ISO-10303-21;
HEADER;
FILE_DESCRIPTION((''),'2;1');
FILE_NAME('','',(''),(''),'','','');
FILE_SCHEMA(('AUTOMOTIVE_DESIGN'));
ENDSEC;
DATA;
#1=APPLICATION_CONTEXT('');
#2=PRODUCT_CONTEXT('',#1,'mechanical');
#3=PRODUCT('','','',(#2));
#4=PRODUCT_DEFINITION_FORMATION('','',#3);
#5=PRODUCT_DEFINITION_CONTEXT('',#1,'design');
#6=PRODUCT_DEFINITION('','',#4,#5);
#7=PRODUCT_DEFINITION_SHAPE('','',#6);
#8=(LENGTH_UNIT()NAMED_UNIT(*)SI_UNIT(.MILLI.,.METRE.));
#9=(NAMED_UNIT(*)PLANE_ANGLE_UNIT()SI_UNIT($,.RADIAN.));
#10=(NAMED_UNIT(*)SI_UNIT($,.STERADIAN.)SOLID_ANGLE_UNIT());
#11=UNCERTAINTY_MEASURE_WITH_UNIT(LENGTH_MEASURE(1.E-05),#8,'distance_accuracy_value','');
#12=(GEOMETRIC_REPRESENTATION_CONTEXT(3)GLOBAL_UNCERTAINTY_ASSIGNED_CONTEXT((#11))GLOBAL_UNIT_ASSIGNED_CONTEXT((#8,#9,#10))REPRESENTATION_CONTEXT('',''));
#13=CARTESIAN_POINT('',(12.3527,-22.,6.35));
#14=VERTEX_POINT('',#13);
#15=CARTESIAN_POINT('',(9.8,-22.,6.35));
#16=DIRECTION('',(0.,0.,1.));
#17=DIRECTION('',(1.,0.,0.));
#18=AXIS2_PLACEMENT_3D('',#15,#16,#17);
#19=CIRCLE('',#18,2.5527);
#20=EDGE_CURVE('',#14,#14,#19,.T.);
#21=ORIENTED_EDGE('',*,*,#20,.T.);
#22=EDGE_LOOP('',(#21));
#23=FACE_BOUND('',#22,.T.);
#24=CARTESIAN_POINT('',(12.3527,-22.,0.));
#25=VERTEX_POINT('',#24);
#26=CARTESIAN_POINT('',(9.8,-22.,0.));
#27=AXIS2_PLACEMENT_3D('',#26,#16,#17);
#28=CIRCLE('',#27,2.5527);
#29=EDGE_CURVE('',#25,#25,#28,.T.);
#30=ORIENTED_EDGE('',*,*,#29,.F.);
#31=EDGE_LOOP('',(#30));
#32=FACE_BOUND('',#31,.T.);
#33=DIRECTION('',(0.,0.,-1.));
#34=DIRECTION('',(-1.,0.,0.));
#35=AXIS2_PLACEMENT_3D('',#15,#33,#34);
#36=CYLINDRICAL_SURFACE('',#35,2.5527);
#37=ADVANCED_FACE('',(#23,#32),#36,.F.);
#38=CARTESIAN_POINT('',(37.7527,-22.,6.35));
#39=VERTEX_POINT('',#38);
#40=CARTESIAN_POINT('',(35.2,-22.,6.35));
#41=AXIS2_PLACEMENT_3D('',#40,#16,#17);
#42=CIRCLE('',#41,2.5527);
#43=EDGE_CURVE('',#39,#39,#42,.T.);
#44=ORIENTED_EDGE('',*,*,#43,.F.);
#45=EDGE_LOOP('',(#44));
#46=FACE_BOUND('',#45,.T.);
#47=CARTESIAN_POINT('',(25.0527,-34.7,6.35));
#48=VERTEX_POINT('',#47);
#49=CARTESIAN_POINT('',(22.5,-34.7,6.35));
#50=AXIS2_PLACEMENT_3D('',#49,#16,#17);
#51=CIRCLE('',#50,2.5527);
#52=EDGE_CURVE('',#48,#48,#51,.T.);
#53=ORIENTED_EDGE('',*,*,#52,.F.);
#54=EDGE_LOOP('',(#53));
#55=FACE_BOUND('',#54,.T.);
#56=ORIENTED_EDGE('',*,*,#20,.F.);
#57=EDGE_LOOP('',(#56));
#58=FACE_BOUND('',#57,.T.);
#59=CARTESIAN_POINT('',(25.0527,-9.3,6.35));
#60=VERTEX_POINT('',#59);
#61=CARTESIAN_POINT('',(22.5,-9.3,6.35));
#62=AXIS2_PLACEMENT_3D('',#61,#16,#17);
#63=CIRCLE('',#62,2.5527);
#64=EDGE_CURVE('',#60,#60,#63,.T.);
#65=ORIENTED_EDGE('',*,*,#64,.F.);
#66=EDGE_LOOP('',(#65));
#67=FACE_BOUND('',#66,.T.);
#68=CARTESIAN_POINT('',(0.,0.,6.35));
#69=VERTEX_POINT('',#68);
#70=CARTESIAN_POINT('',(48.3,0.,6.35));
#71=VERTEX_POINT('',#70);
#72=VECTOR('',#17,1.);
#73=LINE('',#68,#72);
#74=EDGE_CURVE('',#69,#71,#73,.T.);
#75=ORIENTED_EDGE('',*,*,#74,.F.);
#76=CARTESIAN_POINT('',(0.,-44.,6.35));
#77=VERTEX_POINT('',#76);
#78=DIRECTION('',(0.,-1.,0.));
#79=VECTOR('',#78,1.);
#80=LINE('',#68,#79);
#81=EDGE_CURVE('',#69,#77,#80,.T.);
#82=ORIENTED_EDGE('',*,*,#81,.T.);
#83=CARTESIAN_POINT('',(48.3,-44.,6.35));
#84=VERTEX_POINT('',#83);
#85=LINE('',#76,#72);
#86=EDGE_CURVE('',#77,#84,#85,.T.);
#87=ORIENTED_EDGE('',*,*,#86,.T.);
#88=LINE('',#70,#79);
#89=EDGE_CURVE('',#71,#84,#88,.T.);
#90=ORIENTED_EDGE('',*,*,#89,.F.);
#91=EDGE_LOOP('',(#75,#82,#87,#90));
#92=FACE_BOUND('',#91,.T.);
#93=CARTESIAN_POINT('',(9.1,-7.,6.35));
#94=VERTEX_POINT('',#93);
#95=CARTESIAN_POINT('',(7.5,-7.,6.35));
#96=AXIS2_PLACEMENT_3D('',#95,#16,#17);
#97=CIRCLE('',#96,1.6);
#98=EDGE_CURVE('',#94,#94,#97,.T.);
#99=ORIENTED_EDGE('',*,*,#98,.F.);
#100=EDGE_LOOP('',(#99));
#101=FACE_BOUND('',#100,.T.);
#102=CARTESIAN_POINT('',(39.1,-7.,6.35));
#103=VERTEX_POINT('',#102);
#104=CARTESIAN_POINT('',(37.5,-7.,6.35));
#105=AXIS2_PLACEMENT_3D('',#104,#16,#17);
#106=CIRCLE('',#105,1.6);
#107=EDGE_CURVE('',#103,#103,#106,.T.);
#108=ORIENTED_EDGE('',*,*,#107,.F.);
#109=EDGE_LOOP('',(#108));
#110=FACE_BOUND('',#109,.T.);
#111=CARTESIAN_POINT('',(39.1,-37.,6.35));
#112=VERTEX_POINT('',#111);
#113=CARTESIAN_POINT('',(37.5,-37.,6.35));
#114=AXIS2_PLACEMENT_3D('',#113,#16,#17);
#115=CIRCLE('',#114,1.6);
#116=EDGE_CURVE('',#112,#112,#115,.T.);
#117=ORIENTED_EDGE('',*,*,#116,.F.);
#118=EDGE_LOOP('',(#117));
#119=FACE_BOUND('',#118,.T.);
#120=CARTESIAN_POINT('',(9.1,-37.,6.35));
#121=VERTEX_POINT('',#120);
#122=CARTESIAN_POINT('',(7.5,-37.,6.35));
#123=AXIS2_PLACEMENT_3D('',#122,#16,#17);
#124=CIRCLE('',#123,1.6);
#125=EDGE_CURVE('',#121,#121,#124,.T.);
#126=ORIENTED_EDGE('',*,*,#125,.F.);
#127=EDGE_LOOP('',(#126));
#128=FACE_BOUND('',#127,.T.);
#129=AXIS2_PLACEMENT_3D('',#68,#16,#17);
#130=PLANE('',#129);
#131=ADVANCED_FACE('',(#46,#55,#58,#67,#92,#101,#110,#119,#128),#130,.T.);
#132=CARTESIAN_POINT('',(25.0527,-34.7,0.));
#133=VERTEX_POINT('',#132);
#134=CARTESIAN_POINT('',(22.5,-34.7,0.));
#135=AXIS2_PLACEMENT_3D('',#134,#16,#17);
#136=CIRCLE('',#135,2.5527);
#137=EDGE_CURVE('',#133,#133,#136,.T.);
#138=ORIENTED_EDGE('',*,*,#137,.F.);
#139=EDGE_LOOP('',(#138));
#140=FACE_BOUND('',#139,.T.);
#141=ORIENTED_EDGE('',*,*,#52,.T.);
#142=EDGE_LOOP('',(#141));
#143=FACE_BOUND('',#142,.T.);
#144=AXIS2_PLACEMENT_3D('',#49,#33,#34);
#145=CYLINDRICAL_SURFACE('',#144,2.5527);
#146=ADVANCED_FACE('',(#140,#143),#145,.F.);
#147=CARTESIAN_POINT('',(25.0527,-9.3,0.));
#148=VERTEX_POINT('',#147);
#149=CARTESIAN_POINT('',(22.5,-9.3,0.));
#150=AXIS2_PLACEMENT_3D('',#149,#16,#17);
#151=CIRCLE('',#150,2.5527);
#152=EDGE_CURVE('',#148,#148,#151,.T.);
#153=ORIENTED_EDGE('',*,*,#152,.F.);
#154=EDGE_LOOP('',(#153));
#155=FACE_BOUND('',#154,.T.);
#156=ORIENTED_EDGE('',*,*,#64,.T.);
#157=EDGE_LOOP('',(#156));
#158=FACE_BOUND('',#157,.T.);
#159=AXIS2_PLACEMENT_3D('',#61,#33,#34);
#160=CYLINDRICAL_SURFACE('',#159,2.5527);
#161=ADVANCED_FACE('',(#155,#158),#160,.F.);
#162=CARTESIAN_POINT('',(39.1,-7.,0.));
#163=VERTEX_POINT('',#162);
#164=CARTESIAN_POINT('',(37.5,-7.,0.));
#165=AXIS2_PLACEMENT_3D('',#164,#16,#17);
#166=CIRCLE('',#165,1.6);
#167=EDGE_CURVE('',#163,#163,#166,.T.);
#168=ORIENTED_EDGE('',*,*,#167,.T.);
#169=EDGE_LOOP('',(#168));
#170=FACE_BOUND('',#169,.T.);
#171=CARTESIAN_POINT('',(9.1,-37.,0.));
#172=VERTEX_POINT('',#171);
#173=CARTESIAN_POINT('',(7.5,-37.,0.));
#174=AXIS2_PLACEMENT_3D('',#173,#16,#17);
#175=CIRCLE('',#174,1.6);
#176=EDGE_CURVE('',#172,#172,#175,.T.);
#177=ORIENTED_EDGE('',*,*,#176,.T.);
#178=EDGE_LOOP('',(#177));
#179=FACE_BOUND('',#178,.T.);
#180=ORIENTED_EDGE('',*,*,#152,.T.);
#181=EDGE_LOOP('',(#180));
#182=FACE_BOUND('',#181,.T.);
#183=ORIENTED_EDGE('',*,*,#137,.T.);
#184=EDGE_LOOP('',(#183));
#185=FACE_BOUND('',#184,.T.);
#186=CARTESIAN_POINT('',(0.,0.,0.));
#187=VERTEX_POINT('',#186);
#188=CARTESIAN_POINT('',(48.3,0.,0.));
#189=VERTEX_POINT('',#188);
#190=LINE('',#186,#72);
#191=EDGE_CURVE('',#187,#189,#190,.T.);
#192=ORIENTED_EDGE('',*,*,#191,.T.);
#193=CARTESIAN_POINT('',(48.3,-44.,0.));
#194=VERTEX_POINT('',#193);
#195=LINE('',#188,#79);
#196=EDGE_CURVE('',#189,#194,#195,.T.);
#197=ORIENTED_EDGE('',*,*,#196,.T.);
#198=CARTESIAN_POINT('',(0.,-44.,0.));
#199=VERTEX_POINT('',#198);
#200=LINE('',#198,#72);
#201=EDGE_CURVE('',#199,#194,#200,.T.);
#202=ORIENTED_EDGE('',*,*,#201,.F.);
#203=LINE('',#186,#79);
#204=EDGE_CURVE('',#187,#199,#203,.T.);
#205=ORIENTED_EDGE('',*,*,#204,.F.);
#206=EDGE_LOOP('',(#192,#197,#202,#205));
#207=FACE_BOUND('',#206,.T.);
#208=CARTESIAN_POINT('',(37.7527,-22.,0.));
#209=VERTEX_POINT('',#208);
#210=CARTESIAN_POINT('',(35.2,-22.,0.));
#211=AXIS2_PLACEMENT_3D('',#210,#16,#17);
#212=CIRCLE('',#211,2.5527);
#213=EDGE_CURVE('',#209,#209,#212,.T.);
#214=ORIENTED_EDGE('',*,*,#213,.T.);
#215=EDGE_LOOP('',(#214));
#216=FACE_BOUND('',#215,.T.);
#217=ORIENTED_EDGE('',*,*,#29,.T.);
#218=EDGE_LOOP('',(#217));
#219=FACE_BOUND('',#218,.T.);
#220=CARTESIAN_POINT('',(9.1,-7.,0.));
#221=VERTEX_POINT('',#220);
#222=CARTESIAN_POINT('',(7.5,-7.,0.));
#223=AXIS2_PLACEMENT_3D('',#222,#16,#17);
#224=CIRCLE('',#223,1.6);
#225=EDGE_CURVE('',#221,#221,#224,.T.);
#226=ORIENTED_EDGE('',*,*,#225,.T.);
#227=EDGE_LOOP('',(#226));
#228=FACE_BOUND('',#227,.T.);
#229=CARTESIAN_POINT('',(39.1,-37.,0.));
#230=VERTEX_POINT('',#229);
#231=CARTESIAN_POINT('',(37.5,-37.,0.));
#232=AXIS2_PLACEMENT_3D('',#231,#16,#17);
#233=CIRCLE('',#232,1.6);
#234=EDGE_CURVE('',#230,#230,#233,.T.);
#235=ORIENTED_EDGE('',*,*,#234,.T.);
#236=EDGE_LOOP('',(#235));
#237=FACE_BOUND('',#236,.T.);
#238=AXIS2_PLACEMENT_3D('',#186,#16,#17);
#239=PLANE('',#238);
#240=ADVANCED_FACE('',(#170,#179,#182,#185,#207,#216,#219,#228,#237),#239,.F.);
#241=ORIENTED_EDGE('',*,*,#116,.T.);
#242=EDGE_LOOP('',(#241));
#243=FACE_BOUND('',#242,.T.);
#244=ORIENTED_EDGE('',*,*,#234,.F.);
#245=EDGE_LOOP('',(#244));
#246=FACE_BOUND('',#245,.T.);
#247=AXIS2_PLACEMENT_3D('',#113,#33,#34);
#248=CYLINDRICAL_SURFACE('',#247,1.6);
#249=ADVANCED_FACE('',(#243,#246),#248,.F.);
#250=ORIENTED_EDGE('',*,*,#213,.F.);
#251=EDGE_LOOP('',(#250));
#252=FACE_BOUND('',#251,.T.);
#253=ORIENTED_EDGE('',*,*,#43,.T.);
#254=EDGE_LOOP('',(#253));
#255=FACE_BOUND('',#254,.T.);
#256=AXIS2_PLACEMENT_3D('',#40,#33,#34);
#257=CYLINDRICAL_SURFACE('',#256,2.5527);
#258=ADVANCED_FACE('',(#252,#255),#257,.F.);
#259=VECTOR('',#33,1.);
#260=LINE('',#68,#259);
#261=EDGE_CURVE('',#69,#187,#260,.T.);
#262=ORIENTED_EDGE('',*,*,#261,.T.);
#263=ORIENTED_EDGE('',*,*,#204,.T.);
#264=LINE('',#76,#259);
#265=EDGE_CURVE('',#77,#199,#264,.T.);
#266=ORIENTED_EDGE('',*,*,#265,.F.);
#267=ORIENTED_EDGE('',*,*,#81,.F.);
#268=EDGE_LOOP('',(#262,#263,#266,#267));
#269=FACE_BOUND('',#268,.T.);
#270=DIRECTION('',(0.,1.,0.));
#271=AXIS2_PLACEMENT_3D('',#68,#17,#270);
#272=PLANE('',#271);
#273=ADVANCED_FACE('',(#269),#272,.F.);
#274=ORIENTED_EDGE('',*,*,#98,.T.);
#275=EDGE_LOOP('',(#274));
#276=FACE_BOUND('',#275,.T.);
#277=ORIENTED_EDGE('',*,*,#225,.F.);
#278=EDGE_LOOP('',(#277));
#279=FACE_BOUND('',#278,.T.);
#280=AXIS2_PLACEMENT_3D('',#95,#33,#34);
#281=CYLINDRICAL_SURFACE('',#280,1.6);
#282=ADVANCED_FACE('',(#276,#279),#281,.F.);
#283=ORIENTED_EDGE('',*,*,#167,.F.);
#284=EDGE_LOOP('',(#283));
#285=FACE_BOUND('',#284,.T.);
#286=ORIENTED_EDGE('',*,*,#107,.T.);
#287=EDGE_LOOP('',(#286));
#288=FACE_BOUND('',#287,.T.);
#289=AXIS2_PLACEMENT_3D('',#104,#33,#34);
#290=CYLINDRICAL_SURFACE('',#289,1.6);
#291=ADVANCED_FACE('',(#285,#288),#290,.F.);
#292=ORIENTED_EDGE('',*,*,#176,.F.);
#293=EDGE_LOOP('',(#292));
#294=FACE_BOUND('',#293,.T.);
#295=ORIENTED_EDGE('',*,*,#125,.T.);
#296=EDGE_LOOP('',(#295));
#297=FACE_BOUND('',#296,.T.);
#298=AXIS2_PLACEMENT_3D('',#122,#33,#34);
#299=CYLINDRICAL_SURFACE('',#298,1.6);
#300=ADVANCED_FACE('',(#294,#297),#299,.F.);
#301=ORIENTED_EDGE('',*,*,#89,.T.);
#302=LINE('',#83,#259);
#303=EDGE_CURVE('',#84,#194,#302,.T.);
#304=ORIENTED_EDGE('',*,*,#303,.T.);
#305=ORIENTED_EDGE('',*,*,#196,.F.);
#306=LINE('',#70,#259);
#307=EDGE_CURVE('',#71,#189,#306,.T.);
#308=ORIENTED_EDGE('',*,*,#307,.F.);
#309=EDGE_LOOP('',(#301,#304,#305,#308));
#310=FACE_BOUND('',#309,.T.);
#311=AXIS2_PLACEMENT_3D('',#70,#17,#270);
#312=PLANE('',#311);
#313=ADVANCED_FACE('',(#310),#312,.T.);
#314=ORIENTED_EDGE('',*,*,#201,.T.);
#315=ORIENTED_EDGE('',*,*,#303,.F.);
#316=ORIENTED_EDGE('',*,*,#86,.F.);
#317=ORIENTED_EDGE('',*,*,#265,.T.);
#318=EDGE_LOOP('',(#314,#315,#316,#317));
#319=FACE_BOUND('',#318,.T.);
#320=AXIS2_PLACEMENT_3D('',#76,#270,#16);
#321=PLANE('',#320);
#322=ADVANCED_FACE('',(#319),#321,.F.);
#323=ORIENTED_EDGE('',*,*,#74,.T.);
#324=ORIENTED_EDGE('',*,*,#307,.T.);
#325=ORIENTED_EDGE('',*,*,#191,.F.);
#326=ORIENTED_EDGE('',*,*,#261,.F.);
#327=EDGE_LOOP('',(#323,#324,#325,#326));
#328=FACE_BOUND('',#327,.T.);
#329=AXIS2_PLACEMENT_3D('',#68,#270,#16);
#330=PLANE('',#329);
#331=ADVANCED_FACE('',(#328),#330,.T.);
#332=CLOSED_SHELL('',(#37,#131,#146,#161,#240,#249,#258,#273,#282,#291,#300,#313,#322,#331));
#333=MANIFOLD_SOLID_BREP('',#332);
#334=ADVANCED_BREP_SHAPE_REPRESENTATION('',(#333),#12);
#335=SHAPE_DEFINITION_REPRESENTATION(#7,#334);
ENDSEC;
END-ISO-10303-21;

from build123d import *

# Parameters (mm, degrees)
SKETCH1_W               = 48.3
SKETCH1_H               = 44
SKETCH1_R               = 1.6
SKETCH1_R_2             = 2.5527
BOSS_EXTRUDE1_DEPTH     = 6.35
F_1_4_20_TAPPED_HOLE1_D = 5.1054


with BuildPart() as part:
    # Sketch1 → Boss-Extrude1 (new body)
    with BuildSketch(Plane.XY):
        with Locations((24.15, -22)):
            Rectangle(SKETCH1_W, SKETCH1_H)
        with Locations((7.5, -37)):
            Circle(SKETCH1_R, mode=Mode.SUBTRACT)
        with Locations((22.5, -9.3)):
            Circle(SKETCH1_R_2, mode=Mode.SUBTRACT)
        with Locations((35.2, -22)):
            Circle(SKETCH1_R_2, mode=Mode.SUBTRACT)
        with Locations((9.8, -22)):
            Circle(SKETCH1_R_2, mode=Mode.SUBTRACT)
        with Locations((22.5, -34.7)):
            Circle(SKETCH1_R_2, mode=Mode.SUBTRACT)
        with Locations((37.5, -37)):
            Circle(SKETCH1_R, mode=Mode.SUBTRACT)
        with Locations((37.5, -7)):
            Circle(SKETCH1_R, mode=Mode.SUBTRACT)
        with Locations((7.5, -7)):
            Circle(SKETCH1_R, mode=Mode.SUBTRACT)
    extrude(amount=BOSS_EXTRUDE1_DEPTH)

    # 1/4-20 Tapped Hole1 (through all)
    with Locations(Plane(origin=(22.5, -9.3, 6.35), x_dir=(1, 0, 0), z_dir=(0, 0, 1))):
        with Locations((0, 0), (12.7, -12.7), (-12.7, -12.7), (0, -25.4)):
            Hole(F_1_4_20_TAPPED_HOLE1_D / 2)


solid = part.part
